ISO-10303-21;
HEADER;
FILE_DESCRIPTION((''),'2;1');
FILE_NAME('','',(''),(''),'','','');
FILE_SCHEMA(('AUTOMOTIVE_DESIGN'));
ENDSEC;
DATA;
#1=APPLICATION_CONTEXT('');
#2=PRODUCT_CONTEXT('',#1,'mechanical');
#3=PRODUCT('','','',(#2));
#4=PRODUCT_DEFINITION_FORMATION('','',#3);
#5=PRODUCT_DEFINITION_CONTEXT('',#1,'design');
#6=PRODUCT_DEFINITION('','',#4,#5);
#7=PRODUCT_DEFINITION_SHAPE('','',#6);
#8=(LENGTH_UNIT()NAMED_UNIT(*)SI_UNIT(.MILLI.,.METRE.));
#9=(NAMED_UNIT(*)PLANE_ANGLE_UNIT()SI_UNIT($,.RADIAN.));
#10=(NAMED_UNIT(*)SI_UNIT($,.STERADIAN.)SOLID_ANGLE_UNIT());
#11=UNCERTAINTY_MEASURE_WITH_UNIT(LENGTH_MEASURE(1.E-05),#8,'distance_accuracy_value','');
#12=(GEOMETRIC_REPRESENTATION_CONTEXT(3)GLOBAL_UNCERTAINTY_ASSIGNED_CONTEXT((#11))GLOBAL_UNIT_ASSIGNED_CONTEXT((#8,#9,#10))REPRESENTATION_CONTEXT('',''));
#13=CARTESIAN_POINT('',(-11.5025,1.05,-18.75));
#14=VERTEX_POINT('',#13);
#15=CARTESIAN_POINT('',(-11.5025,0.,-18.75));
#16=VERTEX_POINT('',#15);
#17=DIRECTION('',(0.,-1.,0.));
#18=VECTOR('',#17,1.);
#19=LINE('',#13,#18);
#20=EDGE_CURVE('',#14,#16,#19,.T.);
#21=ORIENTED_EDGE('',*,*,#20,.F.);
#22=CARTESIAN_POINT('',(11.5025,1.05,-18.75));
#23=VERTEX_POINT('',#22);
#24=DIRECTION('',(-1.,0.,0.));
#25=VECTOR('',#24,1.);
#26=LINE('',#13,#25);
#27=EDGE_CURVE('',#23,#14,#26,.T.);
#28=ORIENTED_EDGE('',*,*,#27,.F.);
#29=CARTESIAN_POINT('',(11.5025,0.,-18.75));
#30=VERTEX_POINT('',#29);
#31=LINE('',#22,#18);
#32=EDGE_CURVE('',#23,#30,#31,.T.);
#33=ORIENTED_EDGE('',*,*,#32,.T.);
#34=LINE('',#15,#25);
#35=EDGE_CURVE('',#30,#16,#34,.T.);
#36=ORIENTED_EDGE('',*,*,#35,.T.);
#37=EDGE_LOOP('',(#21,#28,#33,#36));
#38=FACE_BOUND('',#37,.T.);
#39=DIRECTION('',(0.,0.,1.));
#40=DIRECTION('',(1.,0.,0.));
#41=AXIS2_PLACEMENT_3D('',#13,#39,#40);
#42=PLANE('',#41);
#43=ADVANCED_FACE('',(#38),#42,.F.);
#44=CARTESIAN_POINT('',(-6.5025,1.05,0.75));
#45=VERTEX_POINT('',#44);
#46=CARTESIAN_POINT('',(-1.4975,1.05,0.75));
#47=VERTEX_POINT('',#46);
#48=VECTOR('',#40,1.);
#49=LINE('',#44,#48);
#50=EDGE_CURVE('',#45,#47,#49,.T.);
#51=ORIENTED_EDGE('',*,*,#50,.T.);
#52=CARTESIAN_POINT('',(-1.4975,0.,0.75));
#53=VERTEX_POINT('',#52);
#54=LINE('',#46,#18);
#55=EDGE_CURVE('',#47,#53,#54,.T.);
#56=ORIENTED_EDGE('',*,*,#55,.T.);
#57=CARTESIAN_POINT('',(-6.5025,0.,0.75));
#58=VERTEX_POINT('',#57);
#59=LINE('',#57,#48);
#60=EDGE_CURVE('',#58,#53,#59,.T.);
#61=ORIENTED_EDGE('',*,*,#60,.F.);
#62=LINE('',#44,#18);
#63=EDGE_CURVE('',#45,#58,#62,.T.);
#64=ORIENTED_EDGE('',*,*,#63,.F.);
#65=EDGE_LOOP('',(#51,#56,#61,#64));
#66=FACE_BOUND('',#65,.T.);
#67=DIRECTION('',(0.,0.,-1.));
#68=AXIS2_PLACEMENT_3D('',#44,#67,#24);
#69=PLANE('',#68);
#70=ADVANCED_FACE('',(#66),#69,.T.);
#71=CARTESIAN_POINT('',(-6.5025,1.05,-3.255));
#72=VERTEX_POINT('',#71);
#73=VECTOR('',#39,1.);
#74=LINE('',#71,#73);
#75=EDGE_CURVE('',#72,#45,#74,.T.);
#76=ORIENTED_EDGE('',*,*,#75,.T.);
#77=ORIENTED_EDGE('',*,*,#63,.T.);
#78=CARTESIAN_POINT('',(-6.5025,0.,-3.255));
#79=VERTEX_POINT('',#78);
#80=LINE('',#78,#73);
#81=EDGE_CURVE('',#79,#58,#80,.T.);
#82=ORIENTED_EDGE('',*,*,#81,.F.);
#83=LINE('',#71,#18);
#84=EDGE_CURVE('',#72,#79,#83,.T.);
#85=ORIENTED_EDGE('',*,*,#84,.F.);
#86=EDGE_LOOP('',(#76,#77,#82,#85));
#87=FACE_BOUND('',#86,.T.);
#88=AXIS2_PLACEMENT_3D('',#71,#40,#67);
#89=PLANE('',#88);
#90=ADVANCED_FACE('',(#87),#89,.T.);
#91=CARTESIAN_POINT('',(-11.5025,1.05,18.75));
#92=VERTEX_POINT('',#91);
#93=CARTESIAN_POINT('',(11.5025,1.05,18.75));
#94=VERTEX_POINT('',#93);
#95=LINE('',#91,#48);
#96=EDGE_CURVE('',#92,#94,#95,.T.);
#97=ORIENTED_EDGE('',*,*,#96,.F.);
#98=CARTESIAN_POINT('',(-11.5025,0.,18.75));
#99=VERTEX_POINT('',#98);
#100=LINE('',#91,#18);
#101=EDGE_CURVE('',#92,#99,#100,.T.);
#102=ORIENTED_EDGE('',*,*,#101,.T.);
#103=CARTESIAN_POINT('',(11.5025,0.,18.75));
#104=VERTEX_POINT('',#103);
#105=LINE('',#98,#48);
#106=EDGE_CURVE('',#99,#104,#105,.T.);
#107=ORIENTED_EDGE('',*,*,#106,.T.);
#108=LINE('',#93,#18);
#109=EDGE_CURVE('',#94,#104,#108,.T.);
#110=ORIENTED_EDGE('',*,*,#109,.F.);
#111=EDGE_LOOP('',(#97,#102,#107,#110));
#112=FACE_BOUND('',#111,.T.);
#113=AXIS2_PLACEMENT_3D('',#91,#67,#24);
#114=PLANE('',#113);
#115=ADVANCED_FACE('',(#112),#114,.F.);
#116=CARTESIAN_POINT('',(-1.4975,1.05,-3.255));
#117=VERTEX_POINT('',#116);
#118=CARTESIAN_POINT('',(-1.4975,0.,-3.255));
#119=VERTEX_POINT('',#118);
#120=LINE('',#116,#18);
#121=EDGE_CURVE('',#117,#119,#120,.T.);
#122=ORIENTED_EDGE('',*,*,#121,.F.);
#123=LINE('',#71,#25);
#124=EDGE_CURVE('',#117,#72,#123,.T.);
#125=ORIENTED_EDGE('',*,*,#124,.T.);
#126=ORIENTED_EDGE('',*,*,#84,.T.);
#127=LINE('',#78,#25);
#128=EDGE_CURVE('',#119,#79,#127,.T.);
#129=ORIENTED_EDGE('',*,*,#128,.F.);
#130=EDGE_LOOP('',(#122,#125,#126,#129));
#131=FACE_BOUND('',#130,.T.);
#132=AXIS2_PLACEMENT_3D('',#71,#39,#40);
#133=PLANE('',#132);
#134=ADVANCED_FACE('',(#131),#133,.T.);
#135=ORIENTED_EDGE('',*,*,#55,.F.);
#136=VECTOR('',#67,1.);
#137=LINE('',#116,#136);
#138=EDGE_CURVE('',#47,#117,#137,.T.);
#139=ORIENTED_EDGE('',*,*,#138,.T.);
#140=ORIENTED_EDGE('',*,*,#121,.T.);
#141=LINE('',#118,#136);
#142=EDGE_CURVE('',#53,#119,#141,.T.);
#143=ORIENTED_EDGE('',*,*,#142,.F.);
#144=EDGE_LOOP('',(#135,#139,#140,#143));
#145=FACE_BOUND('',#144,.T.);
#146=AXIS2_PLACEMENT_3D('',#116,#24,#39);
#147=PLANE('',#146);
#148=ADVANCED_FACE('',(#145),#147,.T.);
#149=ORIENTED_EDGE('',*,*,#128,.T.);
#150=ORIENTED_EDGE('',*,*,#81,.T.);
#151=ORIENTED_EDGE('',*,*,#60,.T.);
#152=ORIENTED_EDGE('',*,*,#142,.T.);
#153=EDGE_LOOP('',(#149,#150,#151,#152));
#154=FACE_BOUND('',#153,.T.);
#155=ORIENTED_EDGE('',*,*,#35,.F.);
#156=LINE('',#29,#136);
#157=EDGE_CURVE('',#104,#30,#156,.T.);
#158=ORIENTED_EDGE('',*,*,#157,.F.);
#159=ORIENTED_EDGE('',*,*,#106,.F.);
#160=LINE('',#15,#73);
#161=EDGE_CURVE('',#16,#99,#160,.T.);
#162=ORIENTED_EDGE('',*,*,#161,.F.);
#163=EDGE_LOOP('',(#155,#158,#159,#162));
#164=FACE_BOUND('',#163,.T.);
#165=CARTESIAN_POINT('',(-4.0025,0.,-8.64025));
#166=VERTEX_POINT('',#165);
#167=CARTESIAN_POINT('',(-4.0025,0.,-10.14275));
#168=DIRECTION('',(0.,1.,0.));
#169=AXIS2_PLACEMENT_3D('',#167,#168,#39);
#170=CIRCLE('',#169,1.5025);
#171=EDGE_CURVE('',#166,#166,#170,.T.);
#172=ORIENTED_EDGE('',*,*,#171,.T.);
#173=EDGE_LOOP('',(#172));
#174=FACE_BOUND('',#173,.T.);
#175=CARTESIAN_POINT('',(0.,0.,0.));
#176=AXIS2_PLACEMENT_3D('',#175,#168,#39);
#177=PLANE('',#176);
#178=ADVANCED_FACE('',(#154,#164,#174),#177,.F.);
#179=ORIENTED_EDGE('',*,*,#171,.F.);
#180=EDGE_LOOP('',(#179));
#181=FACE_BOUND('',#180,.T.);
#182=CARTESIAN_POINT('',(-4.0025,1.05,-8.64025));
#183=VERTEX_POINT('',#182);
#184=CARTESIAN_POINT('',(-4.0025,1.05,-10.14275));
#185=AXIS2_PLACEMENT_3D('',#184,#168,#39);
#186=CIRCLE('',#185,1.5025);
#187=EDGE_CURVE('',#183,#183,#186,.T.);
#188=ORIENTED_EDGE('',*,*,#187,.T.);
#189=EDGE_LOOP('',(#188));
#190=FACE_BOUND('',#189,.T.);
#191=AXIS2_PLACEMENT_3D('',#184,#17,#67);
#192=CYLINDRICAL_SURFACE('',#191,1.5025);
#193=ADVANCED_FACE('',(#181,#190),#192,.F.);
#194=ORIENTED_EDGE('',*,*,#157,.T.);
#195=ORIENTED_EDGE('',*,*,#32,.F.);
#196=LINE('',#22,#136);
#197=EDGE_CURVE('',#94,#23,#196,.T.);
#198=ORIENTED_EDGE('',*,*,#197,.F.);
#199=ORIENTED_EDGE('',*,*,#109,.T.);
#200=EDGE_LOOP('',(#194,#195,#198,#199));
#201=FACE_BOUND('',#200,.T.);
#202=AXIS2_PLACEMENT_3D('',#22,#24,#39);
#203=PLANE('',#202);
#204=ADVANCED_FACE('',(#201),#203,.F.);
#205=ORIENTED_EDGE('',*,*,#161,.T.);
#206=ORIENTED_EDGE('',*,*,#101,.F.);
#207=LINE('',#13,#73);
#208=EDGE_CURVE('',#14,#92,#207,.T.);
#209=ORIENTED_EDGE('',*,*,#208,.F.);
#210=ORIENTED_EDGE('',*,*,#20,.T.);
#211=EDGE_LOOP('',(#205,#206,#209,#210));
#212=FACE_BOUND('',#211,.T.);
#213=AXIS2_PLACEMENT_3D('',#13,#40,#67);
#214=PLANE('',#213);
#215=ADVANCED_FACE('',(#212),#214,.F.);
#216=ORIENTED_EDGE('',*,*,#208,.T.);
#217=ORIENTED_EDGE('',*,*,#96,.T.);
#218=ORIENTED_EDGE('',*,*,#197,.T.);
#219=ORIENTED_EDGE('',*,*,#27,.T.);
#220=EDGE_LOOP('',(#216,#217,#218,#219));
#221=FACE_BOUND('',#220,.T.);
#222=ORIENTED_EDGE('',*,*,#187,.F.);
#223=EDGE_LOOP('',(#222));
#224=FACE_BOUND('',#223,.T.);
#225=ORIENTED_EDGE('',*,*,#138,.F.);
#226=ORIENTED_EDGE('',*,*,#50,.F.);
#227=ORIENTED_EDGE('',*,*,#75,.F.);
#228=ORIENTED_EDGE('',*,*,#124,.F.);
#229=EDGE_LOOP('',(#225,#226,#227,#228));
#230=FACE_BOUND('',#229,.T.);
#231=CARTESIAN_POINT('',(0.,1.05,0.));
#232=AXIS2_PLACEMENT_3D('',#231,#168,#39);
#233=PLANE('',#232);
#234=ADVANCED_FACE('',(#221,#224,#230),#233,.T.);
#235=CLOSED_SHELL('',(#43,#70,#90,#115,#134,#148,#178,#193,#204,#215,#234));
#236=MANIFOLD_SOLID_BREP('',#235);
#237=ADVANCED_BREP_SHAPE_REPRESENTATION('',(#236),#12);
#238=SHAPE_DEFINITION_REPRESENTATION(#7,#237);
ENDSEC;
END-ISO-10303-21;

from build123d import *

# Parameters (mm, degrees)
SKETCH1_W           = 23.005
SKETCH1_H           = 37.5
SKETCH1_R           = 1.5025
SKETCH1_W_2         = 5.005
SKETCH1_H_2         = 4.005
BOSS_EXTRUDE1_DEPTH = 1.05


with BuildPart() as part:
    # Sketch1 → Boss-Extrude1 (new body)
    with BuildSketch(Plane(origin=(0, 0, 0), x_dir=(1, 0, 0), z_dir=(0, 1, 0))):
        Rectangle(SKETCH1_W, SKETCH1_H)
        with Locations((-4.0025, 10.14275)):
            Circle(SKETCH1_R, mode=Mode.SUBTRACT)
        with Locations((-4, 1.2525)):
            Rectangle(SKETCH1_W_2, SKETCH1_H_2, mode=Mode.SUBTRACT)
    extrude(amount=BOSS_EXTRUDE1_DEPTH)


solid = part.part
